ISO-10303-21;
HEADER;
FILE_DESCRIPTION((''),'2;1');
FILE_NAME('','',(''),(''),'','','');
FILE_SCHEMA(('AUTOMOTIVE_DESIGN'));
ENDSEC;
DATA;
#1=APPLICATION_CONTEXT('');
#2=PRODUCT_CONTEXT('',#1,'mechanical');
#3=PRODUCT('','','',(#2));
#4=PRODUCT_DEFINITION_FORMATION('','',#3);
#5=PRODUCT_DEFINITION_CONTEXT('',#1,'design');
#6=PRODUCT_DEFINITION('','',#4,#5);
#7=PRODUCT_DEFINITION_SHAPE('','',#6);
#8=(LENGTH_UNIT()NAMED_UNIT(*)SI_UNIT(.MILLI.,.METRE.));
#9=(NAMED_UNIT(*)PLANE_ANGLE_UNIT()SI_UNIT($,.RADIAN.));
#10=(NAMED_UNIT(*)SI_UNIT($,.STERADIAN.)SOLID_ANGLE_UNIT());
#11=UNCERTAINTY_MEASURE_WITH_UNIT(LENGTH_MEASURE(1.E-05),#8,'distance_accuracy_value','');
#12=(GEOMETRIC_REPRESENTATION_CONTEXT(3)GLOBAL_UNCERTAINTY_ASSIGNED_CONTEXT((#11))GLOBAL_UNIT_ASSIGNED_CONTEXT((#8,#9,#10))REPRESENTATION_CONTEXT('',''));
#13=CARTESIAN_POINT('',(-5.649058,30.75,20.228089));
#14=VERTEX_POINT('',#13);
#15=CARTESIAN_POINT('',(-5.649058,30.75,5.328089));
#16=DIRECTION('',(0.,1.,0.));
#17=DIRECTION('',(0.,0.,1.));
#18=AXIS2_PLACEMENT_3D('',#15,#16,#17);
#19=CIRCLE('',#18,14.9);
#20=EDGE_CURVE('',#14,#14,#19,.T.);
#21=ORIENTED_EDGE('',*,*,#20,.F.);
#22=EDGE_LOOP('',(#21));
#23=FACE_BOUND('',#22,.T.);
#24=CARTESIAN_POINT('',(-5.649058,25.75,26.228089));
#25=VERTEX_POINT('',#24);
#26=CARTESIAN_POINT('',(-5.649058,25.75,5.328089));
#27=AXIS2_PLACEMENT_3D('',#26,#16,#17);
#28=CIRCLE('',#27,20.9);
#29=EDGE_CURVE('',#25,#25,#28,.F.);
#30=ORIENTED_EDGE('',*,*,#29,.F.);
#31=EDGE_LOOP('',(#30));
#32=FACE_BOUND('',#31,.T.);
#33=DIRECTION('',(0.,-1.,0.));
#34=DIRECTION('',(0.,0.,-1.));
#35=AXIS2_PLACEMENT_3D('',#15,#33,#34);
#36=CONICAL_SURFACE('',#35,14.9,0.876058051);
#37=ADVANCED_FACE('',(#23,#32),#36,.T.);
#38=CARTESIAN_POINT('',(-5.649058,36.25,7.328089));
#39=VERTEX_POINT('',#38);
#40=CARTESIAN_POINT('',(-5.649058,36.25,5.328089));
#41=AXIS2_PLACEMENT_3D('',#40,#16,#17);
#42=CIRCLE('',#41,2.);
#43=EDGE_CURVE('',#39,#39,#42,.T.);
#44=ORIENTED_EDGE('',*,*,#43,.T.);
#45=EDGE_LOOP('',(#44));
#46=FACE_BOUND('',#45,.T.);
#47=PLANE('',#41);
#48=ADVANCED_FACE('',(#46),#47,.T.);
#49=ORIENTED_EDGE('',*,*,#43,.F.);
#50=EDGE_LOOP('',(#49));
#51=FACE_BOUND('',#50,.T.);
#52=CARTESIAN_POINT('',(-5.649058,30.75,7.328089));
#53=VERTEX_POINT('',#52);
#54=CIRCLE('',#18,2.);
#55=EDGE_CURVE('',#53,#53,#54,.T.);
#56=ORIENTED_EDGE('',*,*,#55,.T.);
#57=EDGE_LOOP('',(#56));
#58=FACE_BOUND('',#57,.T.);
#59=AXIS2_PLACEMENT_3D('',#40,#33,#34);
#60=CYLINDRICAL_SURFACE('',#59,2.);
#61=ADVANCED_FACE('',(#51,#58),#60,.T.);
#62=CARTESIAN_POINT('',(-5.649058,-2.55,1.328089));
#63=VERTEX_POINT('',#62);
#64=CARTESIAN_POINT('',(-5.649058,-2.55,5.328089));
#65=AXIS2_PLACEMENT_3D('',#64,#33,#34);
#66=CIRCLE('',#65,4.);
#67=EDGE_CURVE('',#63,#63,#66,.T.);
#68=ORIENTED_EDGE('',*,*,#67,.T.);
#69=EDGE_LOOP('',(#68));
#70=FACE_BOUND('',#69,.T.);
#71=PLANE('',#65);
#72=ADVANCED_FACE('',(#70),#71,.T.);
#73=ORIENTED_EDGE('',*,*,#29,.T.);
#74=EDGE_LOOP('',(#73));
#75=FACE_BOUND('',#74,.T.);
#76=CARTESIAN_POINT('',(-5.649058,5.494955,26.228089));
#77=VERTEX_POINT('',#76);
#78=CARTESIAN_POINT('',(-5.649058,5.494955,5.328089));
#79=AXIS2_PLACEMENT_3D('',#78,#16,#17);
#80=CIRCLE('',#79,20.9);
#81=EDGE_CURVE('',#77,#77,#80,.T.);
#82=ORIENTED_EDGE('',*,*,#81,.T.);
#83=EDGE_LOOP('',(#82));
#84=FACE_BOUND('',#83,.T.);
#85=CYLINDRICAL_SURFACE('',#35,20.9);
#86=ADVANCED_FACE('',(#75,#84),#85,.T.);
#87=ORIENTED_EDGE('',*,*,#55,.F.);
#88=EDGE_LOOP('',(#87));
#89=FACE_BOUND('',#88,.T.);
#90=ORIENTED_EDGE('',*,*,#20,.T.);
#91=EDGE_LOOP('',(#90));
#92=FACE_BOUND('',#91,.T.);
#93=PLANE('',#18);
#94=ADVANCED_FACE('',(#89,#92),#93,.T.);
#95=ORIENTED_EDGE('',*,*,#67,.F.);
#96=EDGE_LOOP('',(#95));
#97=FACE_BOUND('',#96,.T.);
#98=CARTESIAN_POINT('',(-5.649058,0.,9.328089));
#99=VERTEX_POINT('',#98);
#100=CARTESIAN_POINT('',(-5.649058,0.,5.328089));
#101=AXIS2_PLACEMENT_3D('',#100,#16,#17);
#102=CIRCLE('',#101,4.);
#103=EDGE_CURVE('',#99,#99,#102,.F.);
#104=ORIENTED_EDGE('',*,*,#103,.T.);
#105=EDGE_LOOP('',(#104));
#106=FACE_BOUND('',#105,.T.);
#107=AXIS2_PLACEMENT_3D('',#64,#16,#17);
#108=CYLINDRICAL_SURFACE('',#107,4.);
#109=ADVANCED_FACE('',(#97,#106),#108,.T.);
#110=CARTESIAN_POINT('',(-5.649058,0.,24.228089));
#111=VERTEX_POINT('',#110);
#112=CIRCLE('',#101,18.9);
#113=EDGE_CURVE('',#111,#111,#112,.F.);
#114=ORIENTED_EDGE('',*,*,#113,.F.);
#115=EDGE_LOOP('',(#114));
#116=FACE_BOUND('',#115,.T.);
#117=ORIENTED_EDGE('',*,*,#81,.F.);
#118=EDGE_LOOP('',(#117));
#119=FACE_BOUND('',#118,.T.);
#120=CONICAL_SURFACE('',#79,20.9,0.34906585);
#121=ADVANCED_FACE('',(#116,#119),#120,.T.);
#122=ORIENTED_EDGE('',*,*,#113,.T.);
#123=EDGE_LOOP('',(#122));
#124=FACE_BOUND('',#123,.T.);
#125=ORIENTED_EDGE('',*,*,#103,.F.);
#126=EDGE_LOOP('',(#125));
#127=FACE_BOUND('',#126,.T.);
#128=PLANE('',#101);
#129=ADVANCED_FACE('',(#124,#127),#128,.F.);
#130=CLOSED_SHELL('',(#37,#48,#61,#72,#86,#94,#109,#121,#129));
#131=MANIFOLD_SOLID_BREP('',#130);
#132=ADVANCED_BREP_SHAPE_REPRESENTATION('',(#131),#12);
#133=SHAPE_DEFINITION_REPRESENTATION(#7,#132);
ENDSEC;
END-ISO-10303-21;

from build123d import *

# Parameters (mm, degrees)
SKETCH1_R           = 20.9
BOSS_EXTRUDE1_DEPTH = 30.75
CHAMFER1_SIZE       = 5
CHAMFER1_SIZE2      = 6
CHAMFER2_SIZE       = 2
CHAMFER2_SIZE2      = 5.494954839
SKETCH2_R           = 2
BOSS_EXTRUDE2_DEPTH = 5.5
SKETCH3_R           = 4
BOSS_EXTRUDE3_DEPTH = 2.55


with BuildPart() as part:
    # Sketch1 → Boss-Extrude1 (new body)
    with BuildSketch(Plane(origin=(0, 0, 0), x_dir=(1, 0, 0), z_dir=(0, 1, 0))):
        with Locations(Location((-5.649057894, -5.328088696, 0), (0, 0, 270))):
            Circle(SKETCH1_R)
    extrude(amount=BOSS_EXTRUDE1_DEPTH)

    # Chamfer1
    chamfer1_edges = [part.edges().sort_by_distance(p)[0] for p in [
        (-5.649057894, 30.75, -15.571911304),
    ]]
    chamfer1_side = [part.faces().sort_by_distance(p)[0] for p in [
        (-5.649057894, 15.375, -15.571911304),
    ]]
    chamfer(chamfer1_edges, length=CHAMFER1_SIZE, length2=CHAMFER1_SIZE2, reference=chamfer1_side[0])

    # Chamfer2
    chamfer2_edges = [part.edges().sort_by_distance(p)[0] for p in [
        (-5.649057894, 0, -15.571911304),
    ]]
    chamfer2_side = [part.faces().sort_by_distance(p)[0] for p in [
        (-5.649057894, 0, 5.328088696),
    ]]
    chamfer(chamfer2_edges, length=CHAMFER2_SIZE, length2=CHAMFER2_SIZE2, reference=chamfer2_side[0])

    # Sketch2 → Boss-Extrude2 (add)
    with BuildSketch(Plane(origin=(0, 30.75, 0), x_dir=(1, 0, 0), z_dir=(0, 1, 0))):
        with Locations(Location((-5.649057894, -5.328088696, 0), (0, 0, 270))):
            Circle(SKETCH2_R)
    extrude(amount=BOSS_EXTRUDE2_DEPTH)

    # Sketch3 → Boss-Extrude3 (add)
    with BuildSketch(Plane.XZ):
        with Locations(Location((-5.649057894, 5.328088696, 0), (0, 0, 90))):
            Circle(SKETCH3_R)
    extrude(amount=BOSS_EXTRUDE3_DEPTH)


solid = part.part
